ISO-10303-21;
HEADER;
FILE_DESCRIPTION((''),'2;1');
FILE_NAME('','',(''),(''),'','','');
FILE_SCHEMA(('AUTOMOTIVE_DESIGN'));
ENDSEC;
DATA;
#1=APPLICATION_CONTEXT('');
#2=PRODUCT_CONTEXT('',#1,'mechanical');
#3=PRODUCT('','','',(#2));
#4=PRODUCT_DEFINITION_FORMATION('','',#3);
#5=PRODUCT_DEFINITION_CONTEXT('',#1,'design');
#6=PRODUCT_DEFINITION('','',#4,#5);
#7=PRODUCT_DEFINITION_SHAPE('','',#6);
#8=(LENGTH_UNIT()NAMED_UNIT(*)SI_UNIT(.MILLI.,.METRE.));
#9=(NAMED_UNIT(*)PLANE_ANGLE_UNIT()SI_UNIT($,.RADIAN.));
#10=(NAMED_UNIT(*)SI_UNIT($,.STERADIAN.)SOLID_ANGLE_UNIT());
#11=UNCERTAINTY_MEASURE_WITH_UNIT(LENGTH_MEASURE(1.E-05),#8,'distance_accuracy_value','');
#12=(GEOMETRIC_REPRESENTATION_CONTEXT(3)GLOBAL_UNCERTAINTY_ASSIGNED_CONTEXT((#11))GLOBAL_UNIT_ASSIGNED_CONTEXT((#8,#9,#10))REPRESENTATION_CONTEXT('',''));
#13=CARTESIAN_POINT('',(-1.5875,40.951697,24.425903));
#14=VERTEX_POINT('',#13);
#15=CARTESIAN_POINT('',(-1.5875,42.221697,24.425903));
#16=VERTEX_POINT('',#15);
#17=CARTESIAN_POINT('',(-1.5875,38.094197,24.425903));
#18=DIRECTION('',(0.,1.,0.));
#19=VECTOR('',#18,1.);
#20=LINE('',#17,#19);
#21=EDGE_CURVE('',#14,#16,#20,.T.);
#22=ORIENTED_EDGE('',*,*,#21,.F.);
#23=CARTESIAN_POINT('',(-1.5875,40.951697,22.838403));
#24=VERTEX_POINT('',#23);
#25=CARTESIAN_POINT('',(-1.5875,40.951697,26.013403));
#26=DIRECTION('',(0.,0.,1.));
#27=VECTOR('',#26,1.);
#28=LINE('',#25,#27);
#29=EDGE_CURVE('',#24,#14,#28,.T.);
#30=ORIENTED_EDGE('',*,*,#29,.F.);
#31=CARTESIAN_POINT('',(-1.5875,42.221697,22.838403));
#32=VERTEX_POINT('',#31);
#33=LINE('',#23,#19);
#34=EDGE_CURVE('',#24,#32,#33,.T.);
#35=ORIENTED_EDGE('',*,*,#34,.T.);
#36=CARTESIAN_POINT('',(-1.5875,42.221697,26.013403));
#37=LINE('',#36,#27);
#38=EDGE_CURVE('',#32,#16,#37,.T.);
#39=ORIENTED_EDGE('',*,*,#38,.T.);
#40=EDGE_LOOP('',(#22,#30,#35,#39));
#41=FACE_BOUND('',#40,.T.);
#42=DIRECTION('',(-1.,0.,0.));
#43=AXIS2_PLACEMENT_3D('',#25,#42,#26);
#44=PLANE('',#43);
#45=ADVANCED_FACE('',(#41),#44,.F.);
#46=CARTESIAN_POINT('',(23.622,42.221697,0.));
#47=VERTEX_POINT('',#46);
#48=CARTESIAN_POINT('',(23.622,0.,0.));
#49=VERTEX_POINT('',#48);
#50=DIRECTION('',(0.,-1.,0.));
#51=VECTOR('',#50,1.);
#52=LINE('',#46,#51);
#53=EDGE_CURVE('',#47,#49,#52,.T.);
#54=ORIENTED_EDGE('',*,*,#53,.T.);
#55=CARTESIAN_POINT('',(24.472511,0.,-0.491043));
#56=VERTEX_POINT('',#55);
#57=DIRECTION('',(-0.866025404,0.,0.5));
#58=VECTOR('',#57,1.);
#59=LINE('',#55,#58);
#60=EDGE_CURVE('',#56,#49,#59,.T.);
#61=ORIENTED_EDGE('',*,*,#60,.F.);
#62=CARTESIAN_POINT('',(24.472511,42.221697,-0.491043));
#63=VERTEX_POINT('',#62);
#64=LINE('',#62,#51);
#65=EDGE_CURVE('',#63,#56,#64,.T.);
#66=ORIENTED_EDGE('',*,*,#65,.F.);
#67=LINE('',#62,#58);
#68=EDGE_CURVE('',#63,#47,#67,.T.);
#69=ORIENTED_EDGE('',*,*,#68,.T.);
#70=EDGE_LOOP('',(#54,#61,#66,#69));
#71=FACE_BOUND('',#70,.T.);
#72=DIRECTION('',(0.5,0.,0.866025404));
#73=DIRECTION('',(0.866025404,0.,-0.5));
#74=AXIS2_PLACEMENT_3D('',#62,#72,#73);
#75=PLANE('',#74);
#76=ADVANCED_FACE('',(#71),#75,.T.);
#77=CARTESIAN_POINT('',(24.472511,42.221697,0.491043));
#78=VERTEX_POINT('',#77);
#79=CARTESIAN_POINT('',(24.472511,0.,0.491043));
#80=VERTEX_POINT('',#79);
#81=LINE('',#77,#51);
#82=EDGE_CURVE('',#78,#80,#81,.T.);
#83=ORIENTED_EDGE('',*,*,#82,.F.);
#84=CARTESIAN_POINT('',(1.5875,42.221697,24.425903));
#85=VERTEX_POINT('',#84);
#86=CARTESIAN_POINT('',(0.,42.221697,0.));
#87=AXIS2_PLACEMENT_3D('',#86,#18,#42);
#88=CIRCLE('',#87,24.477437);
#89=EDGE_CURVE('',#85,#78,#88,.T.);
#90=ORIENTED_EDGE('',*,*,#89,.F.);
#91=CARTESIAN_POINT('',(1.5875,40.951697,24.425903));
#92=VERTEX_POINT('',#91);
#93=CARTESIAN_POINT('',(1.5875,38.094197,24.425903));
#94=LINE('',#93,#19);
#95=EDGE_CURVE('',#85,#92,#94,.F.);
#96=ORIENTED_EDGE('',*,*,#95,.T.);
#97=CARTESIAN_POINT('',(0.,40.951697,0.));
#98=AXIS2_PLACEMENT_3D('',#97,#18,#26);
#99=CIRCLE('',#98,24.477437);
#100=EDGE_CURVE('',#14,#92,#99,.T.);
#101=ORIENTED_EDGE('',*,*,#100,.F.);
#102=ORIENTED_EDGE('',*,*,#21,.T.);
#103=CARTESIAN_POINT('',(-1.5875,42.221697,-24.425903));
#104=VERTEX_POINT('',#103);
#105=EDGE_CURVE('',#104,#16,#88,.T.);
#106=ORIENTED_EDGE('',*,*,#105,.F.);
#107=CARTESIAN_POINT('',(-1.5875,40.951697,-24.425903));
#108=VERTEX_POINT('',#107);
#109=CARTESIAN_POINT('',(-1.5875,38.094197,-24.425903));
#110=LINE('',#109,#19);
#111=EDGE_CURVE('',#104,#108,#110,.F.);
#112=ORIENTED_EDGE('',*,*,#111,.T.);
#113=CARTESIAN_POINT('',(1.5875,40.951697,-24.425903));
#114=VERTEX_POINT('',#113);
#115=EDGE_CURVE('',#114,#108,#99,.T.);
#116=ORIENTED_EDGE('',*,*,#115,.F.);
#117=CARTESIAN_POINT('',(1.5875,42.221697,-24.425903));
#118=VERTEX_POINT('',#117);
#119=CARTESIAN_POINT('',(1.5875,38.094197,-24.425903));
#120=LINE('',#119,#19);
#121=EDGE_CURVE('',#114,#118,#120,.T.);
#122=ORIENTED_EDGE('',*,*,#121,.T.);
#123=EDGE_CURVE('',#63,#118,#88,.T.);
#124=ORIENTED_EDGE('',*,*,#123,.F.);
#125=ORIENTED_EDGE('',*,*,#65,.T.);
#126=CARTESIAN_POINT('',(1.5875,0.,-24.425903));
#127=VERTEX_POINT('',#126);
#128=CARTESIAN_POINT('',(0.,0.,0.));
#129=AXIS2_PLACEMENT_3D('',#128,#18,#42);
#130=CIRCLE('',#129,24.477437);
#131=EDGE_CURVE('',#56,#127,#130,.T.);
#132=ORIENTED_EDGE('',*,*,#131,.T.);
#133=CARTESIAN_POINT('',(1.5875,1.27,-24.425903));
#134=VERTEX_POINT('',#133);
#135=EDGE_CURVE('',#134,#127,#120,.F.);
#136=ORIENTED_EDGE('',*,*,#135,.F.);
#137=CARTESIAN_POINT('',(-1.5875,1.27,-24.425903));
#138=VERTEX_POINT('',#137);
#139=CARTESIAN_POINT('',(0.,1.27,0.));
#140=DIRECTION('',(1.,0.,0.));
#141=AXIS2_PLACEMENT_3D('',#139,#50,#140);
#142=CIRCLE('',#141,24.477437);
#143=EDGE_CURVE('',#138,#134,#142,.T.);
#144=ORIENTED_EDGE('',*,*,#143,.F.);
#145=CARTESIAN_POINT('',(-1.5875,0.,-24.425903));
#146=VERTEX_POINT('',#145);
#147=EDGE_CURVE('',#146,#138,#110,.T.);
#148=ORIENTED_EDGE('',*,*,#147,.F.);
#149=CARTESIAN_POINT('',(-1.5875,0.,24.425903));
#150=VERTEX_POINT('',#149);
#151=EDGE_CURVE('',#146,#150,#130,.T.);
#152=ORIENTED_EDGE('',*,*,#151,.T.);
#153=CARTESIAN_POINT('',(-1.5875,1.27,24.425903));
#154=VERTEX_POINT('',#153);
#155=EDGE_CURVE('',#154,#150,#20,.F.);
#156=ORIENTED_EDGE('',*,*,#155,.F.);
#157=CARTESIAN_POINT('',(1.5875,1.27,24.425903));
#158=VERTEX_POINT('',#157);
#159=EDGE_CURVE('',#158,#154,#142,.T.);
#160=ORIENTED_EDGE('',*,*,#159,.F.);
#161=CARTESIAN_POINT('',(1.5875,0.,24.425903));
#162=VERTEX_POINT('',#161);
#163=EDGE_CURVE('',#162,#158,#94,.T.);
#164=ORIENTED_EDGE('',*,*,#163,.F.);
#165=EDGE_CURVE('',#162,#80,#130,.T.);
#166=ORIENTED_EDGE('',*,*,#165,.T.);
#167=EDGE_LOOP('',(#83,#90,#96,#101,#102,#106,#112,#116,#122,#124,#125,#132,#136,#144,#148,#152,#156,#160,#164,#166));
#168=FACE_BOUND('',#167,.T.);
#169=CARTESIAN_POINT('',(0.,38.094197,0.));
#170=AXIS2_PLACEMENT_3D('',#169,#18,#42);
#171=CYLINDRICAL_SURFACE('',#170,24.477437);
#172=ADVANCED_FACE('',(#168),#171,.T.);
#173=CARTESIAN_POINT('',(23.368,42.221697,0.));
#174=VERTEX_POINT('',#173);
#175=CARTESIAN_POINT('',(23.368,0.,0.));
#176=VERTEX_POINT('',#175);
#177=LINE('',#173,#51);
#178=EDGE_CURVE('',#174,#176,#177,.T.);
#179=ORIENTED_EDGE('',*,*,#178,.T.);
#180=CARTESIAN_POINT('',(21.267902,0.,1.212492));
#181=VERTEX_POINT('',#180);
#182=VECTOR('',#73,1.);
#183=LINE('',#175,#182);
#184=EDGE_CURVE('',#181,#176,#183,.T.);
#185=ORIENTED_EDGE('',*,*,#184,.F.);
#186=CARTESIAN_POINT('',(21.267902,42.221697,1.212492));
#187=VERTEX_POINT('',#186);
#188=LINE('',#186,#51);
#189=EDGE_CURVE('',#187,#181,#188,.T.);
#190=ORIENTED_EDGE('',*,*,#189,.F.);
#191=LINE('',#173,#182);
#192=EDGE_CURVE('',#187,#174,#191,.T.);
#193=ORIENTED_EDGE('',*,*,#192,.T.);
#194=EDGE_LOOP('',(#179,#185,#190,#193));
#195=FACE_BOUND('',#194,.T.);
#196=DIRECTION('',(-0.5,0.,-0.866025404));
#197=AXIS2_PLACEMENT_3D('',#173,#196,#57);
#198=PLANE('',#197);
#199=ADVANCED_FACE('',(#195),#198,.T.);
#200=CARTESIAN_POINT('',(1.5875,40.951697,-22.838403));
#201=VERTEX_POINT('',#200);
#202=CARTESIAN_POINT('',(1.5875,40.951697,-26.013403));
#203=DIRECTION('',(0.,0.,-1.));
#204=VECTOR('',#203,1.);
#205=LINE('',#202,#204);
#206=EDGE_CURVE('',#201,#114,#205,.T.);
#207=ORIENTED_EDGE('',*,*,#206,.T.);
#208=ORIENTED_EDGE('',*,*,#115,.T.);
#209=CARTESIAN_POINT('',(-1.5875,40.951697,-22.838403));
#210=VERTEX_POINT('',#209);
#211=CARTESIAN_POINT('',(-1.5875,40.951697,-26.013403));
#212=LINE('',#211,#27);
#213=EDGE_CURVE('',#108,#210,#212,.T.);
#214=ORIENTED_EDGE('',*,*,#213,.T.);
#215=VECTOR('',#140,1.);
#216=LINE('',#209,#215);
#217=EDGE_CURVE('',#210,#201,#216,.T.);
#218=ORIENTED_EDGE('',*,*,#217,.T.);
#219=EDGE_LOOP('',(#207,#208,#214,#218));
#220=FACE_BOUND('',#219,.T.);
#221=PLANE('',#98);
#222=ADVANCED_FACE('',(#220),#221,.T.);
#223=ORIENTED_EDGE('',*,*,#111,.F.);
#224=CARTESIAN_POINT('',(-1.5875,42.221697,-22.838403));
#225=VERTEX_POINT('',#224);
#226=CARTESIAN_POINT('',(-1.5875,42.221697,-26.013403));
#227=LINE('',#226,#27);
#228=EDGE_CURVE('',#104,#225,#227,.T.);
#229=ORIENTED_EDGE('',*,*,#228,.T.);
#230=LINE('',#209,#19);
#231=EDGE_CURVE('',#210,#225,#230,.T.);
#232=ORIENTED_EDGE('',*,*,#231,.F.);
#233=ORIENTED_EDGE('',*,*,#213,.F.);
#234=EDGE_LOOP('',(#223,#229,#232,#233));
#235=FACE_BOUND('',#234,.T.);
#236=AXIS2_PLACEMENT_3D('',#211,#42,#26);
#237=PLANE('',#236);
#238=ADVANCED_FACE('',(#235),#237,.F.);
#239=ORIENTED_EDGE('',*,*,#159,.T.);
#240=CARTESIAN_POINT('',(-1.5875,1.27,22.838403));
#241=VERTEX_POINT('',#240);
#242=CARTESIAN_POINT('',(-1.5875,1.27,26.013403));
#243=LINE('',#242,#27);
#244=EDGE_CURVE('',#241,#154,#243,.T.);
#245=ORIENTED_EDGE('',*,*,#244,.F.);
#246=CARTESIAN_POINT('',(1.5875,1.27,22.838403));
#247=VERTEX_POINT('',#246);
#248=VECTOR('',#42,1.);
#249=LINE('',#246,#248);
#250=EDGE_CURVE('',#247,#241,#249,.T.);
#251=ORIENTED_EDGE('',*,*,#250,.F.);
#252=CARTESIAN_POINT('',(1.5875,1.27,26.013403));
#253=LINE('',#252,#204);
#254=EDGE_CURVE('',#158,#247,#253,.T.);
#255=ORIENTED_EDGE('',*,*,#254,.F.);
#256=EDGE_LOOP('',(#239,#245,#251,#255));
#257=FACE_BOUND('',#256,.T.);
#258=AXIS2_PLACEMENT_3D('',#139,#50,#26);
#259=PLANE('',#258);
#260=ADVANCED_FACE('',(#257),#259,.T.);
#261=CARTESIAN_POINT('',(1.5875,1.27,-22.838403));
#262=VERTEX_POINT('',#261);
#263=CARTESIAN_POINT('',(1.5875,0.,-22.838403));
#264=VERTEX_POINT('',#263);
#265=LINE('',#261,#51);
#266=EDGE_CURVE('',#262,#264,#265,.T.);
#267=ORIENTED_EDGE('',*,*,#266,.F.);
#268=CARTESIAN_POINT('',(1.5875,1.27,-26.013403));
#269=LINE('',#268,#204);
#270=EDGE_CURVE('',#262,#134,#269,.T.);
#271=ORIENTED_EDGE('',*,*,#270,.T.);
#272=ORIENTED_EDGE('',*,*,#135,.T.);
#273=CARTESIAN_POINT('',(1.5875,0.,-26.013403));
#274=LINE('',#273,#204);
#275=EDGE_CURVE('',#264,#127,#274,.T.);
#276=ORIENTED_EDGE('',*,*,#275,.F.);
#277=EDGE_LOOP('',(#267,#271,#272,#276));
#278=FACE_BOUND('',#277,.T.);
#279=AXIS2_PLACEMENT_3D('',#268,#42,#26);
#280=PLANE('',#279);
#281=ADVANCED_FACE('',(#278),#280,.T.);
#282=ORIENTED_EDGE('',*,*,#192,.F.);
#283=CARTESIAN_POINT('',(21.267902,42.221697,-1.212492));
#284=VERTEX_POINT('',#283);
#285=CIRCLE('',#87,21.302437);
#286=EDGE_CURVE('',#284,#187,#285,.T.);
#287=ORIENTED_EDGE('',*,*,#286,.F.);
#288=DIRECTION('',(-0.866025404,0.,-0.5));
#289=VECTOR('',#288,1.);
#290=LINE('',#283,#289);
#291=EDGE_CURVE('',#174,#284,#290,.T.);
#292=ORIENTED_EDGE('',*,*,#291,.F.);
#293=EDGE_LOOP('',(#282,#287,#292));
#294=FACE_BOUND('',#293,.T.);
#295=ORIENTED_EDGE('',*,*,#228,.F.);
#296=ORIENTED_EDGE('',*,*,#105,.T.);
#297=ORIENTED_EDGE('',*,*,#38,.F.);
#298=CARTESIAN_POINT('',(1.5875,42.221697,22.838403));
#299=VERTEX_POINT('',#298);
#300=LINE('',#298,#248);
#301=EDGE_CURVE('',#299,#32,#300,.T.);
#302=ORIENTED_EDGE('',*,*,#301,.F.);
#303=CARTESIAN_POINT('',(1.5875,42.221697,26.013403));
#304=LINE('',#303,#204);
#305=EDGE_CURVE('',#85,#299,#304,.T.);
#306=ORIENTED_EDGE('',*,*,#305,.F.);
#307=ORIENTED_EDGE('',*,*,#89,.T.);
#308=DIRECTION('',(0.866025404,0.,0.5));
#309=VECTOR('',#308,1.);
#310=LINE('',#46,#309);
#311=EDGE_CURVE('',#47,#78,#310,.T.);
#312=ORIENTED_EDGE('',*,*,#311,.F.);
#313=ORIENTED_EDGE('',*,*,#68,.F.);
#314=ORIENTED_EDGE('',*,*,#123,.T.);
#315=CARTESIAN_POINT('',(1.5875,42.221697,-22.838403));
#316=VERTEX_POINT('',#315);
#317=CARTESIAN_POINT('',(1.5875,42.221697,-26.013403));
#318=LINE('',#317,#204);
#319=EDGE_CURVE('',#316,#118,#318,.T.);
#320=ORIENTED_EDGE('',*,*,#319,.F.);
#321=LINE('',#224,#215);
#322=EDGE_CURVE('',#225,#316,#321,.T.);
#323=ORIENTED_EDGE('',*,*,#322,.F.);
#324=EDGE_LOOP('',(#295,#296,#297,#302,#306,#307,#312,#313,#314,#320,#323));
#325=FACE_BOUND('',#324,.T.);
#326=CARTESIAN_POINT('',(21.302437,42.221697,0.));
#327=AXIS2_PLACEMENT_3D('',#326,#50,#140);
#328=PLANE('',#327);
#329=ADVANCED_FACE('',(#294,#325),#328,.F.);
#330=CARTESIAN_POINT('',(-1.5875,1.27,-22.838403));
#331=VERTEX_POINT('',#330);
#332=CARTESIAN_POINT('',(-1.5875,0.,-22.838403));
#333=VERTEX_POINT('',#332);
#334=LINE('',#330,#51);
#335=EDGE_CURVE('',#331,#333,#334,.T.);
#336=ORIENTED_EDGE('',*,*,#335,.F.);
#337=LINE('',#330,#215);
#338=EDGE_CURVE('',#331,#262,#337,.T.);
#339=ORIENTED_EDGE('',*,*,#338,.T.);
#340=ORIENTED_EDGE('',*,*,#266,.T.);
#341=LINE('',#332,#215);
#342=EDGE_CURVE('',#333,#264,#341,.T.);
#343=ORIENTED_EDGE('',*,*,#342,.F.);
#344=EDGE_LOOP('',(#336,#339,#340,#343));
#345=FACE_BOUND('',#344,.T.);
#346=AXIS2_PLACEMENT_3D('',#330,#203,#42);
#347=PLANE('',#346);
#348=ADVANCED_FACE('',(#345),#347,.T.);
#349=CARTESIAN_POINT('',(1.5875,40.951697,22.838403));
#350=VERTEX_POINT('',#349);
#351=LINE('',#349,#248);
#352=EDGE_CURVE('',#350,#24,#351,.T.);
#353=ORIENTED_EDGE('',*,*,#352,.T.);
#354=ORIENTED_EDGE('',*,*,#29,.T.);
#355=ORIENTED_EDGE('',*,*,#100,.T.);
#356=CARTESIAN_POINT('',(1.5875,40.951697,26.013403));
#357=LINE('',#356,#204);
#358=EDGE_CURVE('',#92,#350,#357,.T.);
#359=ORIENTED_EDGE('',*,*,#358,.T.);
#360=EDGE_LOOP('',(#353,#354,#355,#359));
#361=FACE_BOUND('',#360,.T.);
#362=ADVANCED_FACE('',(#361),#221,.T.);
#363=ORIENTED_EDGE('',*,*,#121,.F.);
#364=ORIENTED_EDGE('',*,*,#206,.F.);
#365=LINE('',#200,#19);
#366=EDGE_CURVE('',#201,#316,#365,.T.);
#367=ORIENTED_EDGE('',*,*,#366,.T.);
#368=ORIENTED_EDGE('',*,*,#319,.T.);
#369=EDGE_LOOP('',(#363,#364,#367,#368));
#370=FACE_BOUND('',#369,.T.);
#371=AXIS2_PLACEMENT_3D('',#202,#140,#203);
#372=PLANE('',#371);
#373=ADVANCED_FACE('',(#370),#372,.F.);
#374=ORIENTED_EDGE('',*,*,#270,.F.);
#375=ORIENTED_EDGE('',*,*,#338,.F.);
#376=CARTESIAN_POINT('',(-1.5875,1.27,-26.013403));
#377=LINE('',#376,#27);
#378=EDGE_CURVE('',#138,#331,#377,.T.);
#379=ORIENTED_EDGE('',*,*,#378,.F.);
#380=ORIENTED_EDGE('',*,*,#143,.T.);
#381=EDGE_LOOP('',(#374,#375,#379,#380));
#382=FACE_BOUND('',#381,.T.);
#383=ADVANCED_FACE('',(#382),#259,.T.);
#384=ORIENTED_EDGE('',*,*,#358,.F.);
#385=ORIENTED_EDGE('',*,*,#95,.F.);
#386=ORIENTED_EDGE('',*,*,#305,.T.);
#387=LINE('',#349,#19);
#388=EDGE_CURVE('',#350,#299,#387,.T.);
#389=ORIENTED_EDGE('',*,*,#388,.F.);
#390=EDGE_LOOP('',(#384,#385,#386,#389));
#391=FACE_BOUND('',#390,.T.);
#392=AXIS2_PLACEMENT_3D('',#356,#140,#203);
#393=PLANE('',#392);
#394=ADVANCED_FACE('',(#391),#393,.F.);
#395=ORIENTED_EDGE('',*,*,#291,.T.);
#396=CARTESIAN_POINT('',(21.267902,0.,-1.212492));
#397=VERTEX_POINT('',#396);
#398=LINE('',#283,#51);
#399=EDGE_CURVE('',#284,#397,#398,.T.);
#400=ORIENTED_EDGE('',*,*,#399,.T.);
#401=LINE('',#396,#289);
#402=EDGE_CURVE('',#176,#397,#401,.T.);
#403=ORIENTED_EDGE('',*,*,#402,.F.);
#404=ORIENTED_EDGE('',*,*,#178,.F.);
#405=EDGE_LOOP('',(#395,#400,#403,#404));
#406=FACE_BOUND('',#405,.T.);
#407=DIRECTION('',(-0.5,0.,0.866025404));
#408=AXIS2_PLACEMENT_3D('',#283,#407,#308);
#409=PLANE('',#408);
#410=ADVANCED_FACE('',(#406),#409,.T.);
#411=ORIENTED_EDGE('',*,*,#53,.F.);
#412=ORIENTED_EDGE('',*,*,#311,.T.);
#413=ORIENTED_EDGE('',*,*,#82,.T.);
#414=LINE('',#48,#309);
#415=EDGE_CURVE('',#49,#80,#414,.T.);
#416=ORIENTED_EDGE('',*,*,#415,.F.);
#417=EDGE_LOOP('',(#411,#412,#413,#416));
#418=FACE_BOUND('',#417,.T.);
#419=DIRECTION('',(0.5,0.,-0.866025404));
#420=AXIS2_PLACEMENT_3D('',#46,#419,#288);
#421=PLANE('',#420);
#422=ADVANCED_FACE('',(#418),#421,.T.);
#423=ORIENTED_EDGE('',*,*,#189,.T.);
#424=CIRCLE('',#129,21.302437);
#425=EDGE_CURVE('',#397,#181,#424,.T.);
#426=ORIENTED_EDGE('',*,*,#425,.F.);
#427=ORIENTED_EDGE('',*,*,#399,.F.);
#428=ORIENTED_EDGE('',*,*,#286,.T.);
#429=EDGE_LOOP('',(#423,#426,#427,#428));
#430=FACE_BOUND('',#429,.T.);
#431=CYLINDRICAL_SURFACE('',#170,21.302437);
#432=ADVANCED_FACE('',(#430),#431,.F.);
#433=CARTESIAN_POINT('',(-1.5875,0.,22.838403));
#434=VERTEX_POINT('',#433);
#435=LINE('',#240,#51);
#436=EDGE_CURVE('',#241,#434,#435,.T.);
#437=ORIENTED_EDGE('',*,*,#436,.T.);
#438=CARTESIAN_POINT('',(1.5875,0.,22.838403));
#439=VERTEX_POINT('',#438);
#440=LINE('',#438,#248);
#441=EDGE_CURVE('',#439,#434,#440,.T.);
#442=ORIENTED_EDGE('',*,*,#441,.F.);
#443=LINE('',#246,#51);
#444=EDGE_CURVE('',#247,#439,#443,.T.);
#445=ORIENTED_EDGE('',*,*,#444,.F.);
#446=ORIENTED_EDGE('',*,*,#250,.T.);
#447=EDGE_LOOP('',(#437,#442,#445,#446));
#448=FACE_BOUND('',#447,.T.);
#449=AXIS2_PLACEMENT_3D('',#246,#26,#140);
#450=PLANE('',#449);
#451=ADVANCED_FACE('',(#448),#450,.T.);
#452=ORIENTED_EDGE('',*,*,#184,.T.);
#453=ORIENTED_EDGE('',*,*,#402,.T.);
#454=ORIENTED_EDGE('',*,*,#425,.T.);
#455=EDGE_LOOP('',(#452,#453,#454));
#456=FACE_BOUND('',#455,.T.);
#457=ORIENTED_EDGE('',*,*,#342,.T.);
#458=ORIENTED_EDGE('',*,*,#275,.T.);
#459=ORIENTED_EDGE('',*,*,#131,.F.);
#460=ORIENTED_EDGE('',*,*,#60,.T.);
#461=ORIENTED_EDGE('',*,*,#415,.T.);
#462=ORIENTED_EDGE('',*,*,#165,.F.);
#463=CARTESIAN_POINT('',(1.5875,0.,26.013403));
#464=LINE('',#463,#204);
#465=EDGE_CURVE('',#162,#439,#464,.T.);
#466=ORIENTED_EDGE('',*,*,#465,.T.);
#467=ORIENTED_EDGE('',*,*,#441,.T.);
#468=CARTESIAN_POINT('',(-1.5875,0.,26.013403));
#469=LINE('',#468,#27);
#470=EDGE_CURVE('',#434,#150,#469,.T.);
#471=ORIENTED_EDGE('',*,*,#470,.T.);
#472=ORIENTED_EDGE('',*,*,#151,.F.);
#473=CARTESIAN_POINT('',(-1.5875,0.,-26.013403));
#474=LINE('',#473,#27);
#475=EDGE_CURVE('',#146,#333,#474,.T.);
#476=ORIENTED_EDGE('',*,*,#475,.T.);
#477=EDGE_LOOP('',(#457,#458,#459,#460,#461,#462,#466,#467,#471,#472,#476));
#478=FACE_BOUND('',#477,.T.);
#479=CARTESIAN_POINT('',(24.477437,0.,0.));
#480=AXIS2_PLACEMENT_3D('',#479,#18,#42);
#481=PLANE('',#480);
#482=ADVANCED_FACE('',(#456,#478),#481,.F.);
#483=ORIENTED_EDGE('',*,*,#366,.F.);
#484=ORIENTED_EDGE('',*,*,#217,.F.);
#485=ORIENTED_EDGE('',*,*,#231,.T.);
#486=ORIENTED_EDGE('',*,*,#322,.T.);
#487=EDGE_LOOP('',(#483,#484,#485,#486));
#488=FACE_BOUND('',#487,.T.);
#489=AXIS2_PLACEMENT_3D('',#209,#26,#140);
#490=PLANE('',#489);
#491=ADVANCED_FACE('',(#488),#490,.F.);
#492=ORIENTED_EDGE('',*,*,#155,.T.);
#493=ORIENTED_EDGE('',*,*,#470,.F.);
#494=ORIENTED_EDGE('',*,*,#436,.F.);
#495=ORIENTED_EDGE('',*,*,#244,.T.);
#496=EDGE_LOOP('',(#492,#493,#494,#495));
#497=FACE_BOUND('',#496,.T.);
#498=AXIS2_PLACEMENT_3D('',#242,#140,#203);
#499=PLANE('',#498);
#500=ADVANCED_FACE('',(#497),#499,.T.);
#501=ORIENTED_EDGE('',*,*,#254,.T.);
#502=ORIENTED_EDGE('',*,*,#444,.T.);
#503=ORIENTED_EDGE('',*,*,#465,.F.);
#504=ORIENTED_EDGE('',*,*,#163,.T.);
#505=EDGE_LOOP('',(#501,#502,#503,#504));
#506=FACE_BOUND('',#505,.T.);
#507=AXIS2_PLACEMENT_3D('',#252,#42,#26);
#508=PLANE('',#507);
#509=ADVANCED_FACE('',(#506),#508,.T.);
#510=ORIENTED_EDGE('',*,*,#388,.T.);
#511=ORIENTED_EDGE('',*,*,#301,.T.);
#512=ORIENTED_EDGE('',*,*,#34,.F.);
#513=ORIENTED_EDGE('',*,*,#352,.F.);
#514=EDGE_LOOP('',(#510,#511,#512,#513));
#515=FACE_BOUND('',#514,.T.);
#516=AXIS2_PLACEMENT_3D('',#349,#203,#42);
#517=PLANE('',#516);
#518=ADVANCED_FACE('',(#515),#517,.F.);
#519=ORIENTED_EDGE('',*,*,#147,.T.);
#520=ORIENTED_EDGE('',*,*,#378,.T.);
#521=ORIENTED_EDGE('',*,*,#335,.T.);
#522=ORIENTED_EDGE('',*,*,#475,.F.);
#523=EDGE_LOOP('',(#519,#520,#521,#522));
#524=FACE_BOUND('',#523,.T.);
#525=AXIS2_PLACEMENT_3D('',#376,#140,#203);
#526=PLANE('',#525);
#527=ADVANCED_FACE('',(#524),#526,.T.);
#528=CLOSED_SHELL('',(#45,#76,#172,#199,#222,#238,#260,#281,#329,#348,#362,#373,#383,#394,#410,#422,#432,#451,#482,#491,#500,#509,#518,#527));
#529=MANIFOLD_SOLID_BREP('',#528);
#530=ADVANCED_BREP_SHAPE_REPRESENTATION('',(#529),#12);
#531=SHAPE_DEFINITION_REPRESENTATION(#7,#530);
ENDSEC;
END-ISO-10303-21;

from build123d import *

# Parameters (mm, degrees)
SKETCH2_W               = 3.175
SKETCH2_H               = 42.221697185
SKETCH3_W               = 3.175
SKETCH3_H               = 3.175
CUT_EXTRUDE1_DEPTH      = 1.27
CUT_EXTRUDE2_DEPTH      = 41.54574875
CUT_EXTRUDE2_DEPTH_BACK = 41.54574875


with BuildPart() as part:
    # Sketch2 → Revolve1 (revolve)
    with BuildSketch(Plane.XY, mode=Mode.PRIVATE) as revolve1_sk:
        with Locations((22.889936685, 21.110848593)):
            Rectangle(SKETCH2_W, SKETCH2_H)
    revolve(revolve1_sk.sketch.rotate(Axis((0, 38.094197185, 0), (0, -1, 0)), 180), axis=Axis((0, 38.094197185, 0), (0, -1, 0)))

    # Sketch3 → Cut-Extrude1 (cut)
    with BuildSketch(Plane(origin=(0, 42.221697185, 0), x_dir=(1, 0, 0), z_dir=(0, 1, 0))):
        with Locations((0, 24.425903267)):
            Rectangle(SKETCH3_W, SKETCH3_H)
        with Locations((0, -24.425903267)):
            Rectangle(SKETCH3_W, SKETCH3_H)
    cut_extrude1 = extrude(amount=-CUT_EXTRUDE1_DEPTH, mode=Mode.SUBTRACT)

    # Mirror1: Cut-Extrude1 across plane
    add(cut_extrude1.mirror(Plane.ZX.offset(21.110848593)), mode=Mode.SUBTRACT)

    # Sketch4 → Cut-Extrude2 (cut, two sides: drawn at the far end of the back side and taken through both)
    with BuildSketch(Plane(origin=(0, 21.110848593, 0), x_dir=(1, 0, 0), z_dir=(0, 1, 0)).offset(-CUT_EXTRUDE2_DEPTH_BACK)):
        with BuildLine():
            Line((24.472510779, 0.491042627), (23.622, 0))
            Line((23.622, 0), (24.472510779, -0.491042627))
            ThreePointArc((24.472510779, -0.491042627), (24.477436685, 0), (24.472510779, 0.491042627))
        make_face()
        with BuildLine():
            Line((21.26790239, 1.21249192), (23.368, 0))
            Line((23.368, 0), (21.26790239, -1.21249192))
            ThreePointArc((21.26790239, -1.21249192), (21.302436685, 0), (21.26790239, 1.21249192))
        make_face()
    extrude(amount=CUT_EXTRUDE2_DEPTH + CUT_EXTRUDE2_DEPTH_BACK, mode=Mode.SUBTRACT)


solid = part.part
